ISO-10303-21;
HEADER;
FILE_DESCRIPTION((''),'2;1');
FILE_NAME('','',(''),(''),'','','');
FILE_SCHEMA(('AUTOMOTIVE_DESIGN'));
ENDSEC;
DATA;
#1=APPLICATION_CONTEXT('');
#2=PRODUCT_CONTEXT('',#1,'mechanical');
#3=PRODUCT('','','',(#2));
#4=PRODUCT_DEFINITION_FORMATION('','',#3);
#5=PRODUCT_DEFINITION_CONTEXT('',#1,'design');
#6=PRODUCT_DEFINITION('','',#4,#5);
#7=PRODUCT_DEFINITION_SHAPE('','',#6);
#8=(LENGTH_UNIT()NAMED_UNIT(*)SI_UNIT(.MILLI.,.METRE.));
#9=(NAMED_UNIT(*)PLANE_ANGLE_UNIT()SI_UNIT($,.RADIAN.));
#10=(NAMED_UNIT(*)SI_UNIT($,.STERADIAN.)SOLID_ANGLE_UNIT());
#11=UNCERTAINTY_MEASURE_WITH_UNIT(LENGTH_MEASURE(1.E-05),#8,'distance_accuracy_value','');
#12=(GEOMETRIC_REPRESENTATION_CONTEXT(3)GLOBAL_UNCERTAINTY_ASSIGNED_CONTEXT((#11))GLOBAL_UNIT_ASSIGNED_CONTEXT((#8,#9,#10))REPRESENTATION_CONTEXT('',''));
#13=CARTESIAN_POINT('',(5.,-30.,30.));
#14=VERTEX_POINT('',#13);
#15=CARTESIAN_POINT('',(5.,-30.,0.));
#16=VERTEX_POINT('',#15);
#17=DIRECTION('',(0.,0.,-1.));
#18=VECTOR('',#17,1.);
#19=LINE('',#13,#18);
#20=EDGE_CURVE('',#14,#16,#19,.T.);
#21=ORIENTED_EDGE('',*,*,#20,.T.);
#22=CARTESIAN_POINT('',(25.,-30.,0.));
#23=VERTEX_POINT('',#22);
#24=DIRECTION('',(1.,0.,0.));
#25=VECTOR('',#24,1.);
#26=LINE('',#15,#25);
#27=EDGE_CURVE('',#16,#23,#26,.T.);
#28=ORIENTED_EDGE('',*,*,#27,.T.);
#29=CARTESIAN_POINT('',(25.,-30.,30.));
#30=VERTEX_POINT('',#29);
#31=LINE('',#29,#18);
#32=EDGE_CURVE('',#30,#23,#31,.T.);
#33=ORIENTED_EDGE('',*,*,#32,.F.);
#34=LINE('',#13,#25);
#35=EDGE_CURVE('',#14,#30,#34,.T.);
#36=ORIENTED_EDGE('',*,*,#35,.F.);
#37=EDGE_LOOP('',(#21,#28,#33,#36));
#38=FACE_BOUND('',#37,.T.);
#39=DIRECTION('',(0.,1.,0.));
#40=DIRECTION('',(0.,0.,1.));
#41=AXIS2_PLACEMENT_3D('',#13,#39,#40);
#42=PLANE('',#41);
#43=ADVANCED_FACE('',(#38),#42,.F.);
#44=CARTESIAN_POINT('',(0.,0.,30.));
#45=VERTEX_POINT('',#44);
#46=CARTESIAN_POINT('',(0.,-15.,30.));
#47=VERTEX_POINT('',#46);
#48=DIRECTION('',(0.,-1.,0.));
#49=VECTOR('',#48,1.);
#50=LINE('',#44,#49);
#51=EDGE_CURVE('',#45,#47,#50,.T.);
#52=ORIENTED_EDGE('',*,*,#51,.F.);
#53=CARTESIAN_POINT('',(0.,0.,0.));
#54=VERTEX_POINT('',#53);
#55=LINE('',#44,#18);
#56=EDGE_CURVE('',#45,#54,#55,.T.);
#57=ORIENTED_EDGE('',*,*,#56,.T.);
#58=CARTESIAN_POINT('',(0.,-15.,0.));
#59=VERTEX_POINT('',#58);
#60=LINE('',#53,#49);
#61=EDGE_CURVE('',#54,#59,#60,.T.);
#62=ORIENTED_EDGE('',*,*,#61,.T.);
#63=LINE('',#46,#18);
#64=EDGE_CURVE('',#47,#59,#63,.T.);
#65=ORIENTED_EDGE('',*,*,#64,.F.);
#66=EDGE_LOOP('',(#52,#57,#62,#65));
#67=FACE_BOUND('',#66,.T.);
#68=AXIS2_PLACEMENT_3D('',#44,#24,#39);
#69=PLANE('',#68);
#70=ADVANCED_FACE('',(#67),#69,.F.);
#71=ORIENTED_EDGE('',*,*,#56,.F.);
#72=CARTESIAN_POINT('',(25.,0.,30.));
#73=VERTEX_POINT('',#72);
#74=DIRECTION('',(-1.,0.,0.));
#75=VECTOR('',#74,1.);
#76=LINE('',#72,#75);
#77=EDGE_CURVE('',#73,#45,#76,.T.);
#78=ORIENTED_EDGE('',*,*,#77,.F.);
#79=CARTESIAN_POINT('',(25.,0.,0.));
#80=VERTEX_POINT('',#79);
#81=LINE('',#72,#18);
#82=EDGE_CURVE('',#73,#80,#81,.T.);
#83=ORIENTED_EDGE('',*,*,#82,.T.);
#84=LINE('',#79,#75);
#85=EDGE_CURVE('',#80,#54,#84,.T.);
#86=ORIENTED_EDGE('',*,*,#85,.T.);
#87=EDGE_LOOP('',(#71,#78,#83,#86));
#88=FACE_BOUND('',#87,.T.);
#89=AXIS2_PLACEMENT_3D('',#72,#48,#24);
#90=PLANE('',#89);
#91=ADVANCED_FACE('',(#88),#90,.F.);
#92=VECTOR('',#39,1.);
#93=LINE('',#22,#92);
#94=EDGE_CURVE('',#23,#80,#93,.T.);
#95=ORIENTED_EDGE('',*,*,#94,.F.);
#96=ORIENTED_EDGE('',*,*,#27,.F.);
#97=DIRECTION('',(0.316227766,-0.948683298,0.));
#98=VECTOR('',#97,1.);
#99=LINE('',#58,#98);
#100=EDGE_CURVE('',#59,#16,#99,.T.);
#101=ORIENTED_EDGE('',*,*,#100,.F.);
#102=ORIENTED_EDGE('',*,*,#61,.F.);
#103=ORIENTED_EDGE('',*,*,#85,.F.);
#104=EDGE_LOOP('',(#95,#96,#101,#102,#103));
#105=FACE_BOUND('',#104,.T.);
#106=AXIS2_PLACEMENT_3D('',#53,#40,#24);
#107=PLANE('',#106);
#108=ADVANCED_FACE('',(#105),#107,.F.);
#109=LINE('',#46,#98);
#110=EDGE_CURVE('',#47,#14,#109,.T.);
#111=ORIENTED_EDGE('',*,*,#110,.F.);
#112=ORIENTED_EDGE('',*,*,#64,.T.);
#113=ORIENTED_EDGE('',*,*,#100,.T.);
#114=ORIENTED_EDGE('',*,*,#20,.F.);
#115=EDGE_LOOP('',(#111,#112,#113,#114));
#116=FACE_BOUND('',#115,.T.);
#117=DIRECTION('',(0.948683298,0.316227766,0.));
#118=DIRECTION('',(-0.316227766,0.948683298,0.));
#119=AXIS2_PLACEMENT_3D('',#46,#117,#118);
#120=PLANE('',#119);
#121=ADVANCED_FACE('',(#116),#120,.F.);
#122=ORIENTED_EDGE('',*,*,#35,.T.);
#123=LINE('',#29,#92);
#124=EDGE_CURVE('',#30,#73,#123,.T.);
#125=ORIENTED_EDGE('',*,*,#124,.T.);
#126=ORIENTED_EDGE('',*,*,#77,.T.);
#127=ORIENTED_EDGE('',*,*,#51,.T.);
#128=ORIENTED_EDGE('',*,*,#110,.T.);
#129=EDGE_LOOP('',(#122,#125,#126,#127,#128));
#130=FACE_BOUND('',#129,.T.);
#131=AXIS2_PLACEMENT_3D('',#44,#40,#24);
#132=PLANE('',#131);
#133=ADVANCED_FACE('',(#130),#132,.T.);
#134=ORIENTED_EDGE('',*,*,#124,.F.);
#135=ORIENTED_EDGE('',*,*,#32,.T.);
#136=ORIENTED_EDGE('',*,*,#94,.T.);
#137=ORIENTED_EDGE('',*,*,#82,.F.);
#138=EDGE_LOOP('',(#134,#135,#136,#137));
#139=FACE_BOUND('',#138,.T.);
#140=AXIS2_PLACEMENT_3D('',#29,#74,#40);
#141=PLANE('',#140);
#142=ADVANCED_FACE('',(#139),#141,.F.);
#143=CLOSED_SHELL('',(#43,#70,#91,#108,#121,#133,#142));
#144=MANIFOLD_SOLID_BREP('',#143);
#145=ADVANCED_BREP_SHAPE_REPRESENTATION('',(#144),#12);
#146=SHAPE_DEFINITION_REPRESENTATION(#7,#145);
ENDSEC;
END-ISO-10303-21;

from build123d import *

# Parameters (mm, degrees)
EXTRUDE_1_DEPTH = 30


with BuildPart() as part:
    # Эскиз1 → Бобышка-Вытянуть1 (new body)
    with BuildSketch(Plane.XY):
        Polygon((0, 0), (0, -15), (5, -30), (25, -30), (25, 0), align=None)
    extrude(amount=EXTRUDE_1_DEPTH)


solid = part.part
